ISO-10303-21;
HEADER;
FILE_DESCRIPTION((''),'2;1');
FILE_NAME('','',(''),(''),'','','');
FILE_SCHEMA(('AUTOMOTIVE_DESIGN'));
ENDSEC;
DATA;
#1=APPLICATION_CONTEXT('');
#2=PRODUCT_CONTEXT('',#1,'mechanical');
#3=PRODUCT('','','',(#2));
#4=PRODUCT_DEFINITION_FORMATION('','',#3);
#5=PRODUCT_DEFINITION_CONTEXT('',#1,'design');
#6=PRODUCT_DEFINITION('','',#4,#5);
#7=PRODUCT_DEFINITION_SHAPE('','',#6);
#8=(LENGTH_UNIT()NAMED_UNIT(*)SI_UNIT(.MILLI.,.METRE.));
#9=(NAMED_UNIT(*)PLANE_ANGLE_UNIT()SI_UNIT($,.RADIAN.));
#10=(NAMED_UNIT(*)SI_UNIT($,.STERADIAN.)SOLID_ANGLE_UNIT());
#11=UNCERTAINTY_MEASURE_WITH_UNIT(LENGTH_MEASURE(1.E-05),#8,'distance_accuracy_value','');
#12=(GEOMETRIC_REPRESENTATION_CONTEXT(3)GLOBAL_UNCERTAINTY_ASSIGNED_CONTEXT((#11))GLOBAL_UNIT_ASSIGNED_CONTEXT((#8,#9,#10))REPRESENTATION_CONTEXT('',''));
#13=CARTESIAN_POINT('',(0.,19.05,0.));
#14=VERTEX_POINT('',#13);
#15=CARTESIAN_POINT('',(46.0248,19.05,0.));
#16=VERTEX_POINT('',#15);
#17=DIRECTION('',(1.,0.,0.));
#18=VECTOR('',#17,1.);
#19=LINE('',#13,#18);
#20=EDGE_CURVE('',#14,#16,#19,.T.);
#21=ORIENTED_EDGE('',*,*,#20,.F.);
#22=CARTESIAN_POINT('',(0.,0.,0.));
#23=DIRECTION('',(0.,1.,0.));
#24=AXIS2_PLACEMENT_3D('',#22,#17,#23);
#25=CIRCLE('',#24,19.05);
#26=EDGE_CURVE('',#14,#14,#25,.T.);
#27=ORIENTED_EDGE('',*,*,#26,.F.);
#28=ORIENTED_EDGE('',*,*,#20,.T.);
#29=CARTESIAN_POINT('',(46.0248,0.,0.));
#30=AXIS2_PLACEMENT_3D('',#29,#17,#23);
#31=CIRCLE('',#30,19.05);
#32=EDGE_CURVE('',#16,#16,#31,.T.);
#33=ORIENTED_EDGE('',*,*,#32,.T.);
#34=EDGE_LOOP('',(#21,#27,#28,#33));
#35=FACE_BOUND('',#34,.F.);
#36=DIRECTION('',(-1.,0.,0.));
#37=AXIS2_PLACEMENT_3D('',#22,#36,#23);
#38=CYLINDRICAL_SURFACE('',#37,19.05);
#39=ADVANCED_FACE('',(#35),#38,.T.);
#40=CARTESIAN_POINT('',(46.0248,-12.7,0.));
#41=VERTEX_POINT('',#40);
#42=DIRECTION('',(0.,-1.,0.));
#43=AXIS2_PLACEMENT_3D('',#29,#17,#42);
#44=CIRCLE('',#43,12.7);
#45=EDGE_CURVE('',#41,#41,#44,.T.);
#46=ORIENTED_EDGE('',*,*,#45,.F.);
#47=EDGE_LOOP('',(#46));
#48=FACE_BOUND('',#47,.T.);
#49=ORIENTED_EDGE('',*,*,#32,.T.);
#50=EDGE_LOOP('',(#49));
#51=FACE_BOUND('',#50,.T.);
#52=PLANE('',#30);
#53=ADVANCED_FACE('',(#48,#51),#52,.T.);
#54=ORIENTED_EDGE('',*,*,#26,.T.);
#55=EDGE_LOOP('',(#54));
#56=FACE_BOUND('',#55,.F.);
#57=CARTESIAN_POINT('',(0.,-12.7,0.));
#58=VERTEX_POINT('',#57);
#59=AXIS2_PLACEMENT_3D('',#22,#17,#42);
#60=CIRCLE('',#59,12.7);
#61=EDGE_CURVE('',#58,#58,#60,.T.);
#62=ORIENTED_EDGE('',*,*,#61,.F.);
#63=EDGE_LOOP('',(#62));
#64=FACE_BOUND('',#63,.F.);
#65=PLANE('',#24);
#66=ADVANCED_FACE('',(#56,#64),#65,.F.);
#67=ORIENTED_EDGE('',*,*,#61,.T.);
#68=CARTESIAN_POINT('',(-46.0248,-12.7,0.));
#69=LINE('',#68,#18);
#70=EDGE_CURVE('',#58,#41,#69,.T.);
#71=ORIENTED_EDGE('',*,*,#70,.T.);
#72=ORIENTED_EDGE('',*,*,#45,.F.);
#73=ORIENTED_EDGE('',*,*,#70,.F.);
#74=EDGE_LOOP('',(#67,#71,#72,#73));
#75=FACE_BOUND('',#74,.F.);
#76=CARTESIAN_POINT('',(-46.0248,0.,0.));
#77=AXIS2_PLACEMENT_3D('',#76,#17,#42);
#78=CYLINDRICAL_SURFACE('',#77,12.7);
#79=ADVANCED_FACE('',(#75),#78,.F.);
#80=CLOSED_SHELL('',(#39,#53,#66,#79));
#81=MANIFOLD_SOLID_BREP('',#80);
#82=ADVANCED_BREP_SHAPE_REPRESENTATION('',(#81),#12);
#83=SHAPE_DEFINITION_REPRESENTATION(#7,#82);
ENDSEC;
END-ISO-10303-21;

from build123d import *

# Parameters (mm, degrees)
F0_R     = 19.05
F1_DEPTH = 46.0248
F2_D     = 25.4
F2_DEPTH = 46.0248


with BuildPart() as f1:
    # F0 (on Right) → F1 (new body)
    with BuildSketch(Plane.YZ):
        Circle(F0_R)
    extrude(amount=F1_DEPTH)

    # F2
    with Locations(Plane(origin=(0, 0, 0), x_dir=(0, 1, 0), z_dir=(-1, 0, 0))):
        with Locations((0, 0)):
            Hole(F2_D / 2, depth=F2_DEPTH)


solid = f1.part
